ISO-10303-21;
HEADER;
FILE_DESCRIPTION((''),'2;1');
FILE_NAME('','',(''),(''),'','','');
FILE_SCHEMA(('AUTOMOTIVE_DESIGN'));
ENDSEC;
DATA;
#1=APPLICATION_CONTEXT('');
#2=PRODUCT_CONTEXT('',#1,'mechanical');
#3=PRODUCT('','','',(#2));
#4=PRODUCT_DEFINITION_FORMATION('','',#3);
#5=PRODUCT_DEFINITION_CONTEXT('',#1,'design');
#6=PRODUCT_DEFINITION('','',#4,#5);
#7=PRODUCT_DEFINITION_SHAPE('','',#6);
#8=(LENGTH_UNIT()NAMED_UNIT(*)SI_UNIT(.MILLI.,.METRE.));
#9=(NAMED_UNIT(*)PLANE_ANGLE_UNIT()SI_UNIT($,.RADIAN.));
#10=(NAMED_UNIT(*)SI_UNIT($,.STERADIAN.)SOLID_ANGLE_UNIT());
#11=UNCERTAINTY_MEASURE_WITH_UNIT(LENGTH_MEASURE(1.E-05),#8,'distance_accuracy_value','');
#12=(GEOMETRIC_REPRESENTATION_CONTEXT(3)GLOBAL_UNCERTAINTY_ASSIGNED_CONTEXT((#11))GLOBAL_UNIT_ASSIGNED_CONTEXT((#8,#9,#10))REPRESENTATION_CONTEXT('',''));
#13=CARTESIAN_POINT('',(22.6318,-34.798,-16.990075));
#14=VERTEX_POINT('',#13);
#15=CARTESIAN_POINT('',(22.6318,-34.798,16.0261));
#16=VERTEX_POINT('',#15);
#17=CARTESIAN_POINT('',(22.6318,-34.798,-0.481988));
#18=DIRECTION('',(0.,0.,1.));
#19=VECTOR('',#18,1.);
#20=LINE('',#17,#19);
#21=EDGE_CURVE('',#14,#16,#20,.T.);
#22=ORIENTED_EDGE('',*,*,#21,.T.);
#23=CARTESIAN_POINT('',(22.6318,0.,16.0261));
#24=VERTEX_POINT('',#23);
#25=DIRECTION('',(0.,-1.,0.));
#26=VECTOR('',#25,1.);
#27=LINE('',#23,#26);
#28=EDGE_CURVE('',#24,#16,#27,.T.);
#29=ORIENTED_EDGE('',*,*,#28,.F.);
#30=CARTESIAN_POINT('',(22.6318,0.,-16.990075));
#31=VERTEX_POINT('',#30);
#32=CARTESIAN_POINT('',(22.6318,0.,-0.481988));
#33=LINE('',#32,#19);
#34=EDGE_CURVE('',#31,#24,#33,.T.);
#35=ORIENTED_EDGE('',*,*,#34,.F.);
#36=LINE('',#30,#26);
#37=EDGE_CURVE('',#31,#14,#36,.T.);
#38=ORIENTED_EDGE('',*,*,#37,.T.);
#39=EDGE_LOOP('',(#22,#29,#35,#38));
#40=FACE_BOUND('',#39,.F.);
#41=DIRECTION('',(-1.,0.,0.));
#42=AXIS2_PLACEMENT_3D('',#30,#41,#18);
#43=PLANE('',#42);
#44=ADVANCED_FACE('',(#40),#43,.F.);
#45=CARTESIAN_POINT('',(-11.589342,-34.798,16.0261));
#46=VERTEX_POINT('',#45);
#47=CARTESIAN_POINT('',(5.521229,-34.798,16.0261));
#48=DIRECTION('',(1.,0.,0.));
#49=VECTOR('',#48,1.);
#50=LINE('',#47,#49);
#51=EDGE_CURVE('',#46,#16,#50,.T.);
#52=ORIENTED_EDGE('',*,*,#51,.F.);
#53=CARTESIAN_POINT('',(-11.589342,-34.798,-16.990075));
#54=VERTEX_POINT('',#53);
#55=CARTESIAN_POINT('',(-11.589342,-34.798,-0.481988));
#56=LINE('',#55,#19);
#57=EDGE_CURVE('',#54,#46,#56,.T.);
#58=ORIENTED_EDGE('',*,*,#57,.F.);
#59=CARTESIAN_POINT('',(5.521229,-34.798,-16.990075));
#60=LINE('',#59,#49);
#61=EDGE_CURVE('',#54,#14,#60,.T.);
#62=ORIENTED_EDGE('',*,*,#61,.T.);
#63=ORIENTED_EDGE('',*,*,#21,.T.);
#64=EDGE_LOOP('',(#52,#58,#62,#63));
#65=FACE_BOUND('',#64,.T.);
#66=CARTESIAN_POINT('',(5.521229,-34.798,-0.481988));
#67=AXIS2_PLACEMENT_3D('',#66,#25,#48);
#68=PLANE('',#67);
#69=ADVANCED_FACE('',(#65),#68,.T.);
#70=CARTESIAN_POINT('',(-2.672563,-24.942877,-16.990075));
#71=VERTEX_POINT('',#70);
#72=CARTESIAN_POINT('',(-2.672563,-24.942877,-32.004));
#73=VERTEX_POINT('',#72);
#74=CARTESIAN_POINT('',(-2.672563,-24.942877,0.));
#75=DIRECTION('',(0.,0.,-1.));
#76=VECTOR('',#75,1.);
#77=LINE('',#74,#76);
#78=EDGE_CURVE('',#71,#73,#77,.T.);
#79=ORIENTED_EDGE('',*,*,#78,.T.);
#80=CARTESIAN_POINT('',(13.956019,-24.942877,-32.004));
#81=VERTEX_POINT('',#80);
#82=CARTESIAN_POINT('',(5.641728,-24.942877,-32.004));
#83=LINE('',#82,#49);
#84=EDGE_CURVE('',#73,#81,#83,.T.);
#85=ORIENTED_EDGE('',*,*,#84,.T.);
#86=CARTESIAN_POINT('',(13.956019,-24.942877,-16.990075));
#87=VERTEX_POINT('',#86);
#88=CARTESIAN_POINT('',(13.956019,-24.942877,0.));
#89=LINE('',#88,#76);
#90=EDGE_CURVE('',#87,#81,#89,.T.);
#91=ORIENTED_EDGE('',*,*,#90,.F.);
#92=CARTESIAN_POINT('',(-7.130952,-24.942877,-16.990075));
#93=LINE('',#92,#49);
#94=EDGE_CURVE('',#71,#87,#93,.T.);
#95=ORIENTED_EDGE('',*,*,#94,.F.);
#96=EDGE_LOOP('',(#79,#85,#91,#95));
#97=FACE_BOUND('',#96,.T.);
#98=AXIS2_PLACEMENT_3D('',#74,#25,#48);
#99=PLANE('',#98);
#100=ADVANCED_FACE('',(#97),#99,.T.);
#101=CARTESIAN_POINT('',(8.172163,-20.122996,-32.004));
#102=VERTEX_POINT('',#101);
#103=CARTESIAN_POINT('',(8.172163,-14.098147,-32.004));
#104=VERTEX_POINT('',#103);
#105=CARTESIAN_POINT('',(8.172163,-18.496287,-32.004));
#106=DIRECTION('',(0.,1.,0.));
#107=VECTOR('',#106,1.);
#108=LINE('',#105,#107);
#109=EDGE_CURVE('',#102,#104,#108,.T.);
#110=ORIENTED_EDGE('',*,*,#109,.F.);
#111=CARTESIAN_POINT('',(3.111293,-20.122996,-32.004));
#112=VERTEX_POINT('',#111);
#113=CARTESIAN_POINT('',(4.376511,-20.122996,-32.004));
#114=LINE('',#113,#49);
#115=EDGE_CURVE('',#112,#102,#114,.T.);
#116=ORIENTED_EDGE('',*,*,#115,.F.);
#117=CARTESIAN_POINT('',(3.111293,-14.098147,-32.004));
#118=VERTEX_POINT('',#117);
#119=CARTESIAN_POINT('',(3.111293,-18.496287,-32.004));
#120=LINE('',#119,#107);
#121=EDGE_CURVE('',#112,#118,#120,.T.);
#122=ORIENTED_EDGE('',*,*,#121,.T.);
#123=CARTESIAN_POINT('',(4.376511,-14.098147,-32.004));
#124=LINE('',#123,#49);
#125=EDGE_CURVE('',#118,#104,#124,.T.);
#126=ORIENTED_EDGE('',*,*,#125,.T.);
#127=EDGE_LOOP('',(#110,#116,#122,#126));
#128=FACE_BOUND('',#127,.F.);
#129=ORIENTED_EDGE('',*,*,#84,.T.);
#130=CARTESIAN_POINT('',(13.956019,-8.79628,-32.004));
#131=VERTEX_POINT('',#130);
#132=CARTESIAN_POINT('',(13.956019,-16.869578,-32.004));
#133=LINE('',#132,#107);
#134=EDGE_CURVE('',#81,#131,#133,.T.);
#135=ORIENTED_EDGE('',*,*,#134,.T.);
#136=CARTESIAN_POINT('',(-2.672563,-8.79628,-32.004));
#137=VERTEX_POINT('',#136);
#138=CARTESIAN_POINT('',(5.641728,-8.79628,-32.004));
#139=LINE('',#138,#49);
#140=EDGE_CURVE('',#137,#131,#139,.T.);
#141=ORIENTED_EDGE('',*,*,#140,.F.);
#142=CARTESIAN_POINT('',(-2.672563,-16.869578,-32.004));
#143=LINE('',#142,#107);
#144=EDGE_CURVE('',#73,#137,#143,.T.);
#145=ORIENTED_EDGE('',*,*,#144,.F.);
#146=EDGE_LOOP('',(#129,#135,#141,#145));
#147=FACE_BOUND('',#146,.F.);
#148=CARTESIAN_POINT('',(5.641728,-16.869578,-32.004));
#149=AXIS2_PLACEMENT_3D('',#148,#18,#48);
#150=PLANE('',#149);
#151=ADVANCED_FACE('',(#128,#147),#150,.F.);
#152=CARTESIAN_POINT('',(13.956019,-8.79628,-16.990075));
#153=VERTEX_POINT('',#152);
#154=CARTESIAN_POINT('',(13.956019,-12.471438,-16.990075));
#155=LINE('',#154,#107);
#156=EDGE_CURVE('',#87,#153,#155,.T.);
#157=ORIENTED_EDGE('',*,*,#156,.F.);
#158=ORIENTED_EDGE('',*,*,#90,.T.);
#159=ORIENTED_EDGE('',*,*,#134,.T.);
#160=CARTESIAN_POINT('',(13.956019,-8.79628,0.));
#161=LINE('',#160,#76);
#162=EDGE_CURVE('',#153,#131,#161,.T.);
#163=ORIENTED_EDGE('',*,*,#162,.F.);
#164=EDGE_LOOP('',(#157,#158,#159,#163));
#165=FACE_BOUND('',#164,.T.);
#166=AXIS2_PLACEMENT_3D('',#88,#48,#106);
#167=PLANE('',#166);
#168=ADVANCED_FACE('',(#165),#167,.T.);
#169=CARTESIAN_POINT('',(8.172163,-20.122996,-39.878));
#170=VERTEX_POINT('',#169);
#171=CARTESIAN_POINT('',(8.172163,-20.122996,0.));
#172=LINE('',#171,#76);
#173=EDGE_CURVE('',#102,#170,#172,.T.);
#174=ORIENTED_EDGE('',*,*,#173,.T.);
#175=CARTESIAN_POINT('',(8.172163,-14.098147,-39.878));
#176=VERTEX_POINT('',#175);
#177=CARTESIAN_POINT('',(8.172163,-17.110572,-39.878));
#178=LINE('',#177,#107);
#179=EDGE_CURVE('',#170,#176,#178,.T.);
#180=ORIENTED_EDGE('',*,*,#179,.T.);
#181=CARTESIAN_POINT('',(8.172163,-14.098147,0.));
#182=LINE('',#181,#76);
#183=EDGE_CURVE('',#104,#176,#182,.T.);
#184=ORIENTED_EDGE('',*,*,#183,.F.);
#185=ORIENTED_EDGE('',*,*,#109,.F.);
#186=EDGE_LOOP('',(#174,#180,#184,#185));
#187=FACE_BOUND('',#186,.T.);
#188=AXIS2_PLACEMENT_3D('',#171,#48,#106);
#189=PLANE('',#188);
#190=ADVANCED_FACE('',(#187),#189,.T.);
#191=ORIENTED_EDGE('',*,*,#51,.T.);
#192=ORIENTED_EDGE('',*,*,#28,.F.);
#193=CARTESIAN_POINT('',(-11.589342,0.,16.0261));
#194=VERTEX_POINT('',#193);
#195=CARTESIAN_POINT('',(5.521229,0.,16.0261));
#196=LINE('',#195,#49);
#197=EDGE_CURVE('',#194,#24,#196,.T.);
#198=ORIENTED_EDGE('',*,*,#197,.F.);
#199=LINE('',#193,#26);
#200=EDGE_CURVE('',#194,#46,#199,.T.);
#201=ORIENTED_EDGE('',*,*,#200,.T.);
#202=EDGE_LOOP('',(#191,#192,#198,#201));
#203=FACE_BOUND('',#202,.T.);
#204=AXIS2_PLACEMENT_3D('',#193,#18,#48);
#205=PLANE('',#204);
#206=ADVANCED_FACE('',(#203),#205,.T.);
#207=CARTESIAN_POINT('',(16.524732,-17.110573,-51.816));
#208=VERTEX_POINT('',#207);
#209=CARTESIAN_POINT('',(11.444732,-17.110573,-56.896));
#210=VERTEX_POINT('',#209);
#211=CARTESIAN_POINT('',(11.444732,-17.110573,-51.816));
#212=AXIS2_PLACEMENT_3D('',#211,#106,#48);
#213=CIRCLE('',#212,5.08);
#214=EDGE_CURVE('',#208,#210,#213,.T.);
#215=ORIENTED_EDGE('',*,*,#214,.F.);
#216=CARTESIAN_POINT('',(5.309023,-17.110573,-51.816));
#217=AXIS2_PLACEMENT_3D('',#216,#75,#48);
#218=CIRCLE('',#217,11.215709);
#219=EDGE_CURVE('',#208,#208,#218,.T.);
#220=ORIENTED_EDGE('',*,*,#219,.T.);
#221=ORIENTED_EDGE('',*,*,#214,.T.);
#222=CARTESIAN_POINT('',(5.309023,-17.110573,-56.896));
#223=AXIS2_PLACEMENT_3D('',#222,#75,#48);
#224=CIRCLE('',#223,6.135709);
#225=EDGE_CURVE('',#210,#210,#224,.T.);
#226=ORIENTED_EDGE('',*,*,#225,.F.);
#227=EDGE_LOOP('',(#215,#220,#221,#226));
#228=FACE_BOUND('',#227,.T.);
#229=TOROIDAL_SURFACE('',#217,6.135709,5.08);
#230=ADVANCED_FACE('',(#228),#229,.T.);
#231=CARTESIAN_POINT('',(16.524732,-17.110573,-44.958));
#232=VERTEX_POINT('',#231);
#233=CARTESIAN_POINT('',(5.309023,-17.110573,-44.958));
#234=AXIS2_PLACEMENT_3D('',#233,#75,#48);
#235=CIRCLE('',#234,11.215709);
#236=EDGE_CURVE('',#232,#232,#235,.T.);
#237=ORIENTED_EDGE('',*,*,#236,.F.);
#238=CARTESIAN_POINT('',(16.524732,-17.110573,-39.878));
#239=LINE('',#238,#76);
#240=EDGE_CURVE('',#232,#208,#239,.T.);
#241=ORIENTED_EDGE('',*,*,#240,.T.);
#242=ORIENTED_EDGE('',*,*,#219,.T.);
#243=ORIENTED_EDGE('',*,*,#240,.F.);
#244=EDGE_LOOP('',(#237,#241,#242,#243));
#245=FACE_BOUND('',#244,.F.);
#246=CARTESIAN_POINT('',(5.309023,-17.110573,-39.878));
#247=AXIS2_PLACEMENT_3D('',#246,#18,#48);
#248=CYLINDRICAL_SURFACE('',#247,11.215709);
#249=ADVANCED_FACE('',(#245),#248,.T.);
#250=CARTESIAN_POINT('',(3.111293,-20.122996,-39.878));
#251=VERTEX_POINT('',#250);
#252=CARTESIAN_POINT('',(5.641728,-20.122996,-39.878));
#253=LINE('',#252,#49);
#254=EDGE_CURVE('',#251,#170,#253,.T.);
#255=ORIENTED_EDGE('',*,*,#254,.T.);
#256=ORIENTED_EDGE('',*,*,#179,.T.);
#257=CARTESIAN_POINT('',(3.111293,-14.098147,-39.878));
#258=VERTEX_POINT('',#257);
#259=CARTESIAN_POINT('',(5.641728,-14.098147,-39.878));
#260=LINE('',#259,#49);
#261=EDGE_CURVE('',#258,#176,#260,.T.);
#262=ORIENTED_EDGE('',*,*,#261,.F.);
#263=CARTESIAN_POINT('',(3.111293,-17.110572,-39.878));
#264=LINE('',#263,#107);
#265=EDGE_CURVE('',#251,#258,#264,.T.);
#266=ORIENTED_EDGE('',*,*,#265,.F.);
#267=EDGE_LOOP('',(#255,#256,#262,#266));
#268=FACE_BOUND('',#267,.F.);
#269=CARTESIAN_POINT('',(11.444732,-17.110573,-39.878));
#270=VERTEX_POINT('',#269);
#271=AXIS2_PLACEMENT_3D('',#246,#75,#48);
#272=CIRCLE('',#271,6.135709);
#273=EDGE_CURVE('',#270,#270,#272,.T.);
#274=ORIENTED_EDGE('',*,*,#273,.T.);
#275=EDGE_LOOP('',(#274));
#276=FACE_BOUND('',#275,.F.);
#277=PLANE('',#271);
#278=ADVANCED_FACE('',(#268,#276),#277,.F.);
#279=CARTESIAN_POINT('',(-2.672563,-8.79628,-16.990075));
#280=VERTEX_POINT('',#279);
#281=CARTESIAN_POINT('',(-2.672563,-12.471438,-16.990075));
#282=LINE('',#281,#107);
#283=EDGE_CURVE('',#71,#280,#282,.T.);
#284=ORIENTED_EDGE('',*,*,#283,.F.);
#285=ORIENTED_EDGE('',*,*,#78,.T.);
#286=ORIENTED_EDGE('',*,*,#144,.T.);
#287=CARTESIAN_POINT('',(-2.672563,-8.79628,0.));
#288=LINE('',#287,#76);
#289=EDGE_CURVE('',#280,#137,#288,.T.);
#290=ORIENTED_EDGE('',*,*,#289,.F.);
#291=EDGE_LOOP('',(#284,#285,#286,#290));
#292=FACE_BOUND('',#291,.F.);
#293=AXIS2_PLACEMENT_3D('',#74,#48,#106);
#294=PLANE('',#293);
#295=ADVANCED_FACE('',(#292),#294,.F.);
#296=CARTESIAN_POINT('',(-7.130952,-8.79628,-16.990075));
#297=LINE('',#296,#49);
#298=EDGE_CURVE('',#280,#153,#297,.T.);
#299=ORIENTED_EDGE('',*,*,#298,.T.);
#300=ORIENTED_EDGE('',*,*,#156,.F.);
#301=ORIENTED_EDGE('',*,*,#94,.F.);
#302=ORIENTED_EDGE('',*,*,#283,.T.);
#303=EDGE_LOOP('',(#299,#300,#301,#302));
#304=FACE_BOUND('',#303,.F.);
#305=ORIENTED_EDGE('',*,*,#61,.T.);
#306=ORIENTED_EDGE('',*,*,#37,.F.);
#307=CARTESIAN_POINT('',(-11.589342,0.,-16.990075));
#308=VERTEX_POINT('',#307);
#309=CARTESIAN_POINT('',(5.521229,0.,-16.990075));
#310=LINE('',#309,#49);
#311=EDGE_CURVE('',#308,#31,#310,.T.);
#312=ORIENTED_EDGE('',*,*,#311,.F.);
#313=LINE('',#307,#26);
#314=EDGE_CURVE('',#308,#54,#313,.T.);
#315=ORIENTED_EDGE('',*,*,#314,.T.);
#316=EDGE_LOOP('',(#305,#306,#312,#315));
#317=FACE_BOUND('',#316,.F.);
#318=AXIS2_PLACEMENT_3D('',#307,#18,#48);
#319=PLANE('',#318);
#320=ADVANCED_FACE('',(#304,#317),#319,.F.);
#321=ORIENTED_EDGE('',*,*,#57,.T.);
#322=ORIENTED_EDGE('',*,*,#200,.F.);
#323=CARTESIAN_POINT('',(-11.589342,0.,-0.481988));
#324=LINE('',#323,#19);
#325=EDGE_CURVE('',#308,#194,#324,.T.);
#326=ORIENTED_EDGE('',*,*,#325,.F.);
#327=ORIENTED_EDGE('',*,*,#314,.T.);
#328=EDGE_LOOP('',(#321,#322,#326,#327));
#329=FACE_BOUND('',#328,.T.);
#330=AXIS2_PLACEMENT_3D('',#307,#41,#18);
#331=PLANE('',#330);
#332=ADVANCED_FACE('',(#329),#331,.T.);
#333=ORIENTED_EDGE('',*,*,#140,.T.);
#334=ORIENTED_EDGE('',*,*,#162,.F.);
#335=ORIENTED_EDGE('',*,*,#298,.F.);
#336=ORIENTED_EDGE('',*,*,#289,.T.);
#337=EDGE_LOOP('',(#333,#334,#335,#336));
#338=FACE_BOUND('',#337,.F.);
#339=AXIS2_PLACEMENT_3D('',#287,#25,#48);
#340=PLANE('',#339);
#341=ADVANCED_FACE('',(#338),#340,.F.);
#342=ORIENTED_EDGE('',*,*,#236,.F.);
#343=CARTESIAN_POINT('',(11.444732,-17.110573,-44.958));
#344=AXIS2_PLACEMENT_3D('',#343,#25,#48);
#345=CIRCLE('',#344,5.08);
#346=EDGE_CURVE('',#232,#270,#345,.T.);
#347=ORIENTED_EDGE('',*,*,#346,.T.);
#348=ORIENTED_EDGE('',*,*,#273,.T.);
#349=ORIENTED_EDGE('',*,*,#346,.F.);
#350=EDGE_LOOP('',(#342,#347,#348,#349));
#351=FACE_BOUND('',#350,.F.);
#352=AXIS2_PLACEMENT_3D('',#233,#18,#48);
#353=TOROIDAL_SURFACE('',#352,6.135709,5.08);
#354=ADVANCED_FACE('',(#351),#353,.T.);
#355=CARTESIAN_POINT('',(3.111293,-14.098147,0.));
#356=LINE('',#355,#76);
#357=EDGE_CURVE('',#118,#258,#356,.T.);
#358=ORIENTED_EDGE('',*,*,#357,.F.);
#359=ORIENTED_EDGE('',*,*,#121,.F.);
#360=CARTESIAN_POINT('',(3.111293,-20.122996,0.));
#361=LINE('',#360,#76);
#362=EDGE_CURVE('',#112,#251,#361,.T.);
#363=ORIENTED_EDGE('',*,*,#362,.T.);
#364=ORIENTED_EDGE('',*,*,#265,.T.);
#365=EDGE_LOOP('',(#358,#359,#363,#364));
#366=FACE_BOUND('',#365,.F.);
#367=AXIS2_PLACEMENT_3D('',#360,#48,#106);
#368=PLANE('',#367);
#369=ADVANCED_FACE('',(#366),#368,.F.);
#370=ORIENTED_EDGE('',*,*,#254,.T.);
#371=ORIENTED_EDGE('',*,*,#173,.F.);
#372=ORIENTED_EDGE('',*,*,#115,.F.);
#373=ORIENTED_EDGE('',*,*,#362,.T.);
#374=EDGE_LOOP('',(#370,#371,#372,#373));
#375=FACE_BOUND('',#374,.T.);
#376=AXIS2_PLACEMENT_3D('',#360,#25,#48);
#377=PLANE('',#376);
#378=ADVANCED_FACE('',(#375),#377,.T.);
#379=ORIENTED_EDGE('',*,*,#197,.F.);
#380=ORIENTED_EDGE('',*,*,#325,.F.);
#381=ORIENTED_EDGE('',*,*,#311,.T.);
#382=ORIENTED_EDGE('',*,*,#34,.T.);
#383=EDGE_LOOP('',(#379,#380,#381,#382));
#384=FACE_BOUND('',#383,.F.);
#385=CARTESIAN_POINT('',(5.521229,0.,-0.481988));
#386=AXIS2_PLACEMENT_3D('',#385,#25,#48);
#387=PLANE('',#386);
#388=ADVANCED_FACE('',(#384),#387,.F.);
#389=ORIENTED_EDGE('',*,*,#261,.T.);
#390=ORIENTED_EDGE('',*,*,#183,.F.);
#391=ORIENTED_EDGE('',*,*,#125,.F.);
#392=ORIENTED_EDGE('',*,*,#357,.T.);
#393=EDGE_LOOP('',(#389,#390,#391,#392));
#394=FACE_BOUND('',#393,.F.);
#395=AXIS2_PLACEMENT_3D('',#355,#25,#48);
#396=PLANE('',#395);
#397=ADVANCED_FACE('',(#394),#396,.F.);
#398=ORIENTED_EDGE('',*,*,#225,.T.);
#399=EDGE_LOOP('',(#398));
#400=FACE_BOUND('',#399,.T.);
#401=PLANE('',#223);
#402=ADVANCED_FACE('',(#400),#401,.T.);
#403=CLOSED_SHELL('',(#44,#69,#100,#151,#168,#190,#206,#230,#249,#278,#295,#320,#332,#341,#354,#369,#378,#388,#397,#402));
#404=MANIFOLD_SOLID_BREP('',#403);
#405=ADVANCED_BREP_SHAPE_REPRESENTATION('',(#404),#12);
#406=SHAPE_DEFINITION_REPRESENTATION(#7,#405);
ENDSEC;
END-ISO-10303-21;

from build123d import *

# Parameters (mm, degrees)
F0_W     = 34.221142
F0_H     = 33.016175
F1_DEPTH = 34.798
F2_W     = 16.628581
F2_H     = 16.146597
F3_DEPTH = 32.004
F4_W     = 5.060869
F4_H     = 6.024849
F5_DEPTH = 39.878
F6_R     = 11.215709
F7_DEPTH = 17.018
F8_R     = 5.08


with BuildPart() as f1:
    # F0 (on Front) → F1 (new body)
    with BuildSketch(Plane.XZ):
        with Locations((5.521229, -0.481988)):
            Rectangle(F0_W, F0_H)
    extrude(amount=F1_DEPTH)

    # F2 (on Top) → F3 (join)
    with BuildSketch(Plane.XY):
        with Locations((5.641728, -16.869578)):
            Rectangle(F2_W, F2_H)
    extrude(amount=-F3_DEPTH)

    # F4 (on Top) → F5 (join)
    with BuildSketch(Plane.XY):
        with Locations((5.641728, -17.110572)):
            Rectangle(F4_W, F4_H)
    extrude(amount=-F5_DEPTH)

    # F6 (on face) → F7 (join)
    with BuildSketch(Plane(origin=(0, 0, -39.878), x_dir=(1, 0, 0), z_dir=(0, 0, -1))):
        with Locations((5.309023, 17.110573)):
            Circle(F6_R)
    extrude(amount=F7_DEPTH)

    # F8
    f8_edges = [f1.edges().sort_by_distance(p)[0] for p in [
        (-5.906686, -17.110573, -56.896),
        (-5.906686, -17.110573, -39.878),
    ]]
    fillet(f8_edges, radius=F8_R)


solid = f1.part
